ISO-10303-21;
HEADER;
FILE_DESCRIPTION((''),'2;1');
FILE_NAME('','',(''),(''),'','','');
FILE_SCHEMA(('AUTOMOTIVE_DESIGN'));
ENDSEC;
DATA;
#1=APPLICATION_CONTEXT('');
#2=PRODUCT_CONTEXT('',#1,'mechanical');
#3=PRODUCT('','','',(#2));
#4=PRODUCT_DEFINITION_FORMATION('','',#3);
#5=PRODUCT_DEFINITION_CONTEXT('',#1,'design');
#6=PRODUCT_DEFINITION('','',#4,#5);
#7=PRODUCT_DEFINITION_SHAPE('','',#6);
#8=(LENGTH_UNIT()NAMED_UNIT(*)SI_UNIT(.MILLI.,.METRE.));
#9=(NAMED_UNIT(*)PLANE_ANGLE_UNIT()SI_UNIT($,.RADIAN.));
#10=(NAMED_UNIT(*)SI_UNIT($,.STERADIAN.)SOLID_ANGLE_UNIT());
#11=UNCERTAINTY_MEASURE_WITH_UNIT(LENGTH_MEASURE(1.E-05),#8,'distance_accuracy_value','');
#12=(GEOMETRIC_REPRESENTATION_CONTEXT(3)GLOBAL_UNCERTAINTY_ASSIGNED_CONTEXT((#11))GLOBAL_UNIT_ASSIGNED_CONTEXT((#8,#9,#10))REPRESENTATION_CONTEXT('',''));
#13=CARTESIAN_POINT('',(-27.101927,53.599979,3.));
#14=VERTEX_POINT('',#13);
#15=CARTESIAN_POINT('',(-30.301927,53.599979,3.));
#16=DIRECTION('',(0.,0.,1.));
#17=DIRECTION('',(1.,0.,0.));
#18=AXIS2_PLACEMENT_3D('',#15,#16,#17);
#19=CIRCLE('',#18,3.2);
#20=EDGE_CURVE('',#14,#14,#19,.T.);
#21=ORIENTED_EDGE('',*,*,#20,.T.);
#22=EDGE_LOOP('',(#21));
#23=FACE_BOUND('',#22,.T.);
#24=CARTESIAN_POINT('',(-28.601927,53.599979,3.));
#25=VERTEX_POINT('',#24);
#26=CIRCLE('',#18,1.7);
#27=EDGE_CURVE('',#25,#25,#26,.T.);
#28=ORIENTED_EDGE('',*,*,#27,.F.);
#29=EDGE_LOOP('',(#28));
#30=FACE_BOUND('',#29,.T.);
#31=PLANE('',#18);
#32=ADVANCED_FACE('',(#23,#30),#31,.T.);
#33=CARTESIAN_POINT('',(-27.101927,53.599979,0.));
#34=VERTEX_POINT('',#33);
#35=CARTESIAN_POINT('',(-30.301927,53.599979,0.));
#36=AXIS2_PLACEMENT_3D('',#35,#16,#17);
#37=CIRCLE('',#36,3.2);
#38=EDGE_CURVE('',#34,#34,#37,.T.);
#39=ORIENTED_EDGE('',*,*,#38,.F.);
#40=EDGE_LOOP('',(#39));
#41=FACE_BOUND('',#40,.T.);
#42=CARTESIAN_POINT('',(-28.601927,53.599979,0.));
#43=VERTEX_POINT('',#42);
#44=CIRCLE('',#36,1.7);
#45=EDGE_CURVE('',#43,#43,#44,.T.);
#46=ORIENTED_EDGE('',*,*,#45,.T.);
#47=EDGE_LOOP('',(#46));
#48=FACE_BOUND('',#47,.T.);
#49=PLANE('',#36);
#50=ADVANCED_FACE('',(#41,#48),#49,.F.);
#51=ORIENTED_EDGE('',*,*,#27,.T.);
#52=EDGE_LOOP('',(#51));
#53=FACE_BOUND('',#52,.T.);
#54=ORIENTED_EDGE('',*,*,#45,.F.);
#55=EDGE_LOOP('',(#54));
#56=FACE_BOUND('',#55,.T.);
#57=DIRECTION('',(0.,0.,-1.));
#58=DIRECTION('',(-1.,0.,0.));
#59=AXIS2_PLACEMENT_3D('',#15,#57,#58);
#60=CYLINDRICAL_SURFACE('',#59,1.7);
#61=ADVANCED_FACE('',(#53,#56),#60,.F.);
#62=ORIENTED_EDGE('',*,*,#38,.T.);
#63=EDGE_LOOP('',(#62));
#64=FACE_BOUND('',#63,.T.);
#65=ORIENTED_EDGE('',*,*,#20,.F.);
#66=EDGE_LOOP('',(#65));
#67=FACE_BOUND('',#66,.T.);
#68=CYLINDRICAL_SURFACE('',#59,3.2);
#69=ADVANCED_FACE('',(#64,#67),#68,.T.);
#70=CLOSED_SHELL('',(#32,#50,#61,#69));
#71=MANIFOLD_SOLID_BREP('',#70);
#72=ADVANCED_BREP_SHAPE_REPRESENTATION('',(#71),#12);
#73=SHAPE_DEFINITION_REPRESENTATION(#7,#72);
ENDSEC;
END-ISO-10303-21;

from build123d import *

# Parameters (mm, degrees)
ESQUISSE1_R        = 3.2
ESQUISSE1_R_2      = 1.7
BOSS_EXTRU_1_DEPTH = 3


with BuildPart() as part:
    # Esquisse1 → Boss.-Extru.1 (new body)
    with BuildSketch(Plane.XY):
        with Locations((-30.301926647, 53.599979038)):
            Circle(ESQUISSE1_R)
        with Locations((-30.301926647, 53.599979038)):
            Circle(ESQUISSE1_R_2, mode=Mode.SUBTRACT)
    extrude(amount=BOSS_EXTRU_1_DEPTH)


solid = part.part
